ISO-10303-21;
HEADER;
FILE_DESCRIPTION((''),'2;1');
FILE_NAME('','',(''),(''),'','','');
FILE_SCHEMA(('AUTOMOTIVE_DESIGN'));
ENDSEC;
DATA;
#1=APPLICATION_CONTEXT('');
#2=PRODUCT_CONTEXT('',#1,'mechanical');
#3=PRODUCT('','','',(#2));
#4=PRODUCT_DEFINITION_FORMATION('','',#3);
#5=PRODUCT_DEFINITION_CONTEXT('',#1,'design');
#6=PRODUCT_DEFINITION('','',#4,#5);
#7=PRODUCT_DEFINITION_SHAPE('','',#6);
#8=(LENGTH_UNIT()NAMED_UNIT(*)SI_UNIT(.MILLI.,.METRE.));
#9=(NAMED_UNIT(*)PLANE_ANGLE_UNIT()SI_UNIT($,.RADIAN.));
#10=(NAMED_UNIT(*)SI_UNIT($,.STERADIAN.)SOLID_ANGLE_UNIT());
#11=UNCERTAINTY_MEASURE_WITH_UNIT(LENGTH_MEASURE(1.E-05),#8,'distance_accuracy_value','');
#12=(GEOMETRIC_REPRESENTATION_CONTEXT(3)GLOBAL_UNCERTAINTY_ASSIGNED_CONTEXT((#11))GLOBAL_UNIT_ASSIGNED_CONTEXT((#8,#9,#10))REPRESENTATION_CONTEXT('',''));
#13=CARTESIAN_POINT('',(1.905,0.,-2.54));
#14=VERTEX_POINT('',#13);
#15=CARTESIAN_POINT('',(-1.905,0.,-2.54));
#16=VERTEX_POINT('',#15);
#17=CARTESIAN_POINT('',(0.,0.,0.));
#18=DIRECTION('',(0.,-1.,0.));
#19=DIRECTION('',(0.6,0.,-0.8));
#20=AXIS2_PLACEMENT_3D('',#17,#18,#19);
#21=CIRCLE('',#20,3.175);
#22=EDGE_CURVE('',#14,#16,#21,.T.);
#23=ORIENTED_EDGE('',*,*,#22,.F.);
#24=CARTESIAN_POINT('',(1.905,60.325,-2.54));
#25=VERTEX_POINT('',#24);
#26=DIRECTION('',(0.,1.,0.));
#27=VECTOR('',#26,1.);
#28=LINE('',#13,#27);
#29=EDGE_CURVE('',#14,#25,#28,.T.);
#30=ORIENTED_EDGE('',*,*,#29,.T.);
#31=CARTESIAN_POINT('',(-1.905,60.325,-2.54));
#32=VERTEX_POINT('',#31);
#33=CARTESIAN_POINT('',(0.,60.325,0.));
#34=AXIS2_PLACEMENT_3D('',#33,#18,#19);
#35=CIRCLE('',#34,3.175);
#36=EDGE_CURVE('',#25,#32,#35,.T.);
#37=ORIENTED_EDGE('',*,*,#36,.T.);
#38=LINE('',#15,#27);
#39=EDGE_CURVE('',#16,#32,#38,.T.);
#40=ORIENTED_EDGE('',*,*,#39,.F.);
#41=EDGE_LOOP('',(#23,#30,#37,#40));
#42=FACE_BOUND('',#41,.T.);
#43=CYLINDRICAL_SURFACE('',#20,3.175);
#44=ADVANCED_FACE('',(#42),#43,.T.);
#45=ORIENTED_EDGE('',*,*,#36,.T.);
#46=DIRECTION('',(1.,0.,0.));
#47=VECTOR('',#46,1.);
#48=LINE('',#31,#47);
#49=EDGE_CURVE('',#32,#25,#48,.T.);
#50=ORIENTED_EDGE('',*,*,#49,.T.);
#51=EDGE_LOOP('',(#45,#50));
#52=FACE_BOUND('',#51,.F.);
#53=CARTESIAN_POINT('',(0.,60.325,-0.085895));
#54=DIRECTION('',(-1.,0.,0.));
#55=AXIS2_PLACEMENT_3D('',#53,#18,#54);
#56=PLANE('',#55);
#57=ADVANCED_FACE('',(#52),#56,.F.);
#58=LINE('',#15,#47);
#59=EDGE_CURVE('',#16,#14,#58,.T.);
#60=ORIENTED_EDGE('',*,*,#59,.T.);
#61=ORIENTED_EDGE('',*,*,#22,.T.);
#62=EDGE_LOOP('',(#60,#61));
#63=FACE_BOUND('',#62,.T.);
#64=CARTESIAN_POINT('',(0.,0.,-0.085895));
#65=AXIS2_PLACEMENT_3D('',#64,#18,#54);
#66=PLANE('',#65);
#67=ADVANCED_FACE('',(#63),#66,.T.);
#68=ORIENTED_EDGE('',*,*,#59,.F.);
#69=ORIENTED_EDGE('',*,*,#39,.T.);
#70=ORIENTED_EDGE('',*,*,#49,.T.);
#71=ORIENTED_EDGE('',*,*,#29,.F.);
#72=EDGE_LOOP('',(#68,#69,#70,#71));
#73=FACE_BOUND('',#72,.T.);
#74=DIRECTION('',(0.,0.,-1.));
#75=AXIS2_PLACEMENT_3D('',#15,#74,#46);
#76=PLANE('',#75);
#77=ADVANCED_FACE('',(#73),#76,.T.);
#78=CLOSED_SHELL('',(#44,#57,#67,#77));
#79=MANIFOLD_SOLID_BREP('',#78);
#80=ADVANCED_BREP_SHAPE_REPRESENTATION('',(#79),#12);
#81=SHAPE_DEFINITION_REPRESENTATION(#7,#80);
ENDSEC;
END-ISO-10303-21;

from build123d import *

# Parameters (mm, degrees)
BOSS_EXTRUDE1_DEPTH = 60.325


with BuildPart() as part:
    # Sketch1 → Boss-Extrude1 (new body)
    with BuildSketch(Plane(origin=(0, 0, 0), x_dir=(1, 0, 0), z_dir=(0, 1, 0))):
        with BuildLine():
            Line((-1.905, 2.54), (1.905, 2.54))
            ThreePointArc((1.905, 2.54), (0, -3.175), (-1.905, 2.54))
        make_face()
    extrude(amount=BOSS_EXTRUDE1_DEPTH)


solid = part.part
